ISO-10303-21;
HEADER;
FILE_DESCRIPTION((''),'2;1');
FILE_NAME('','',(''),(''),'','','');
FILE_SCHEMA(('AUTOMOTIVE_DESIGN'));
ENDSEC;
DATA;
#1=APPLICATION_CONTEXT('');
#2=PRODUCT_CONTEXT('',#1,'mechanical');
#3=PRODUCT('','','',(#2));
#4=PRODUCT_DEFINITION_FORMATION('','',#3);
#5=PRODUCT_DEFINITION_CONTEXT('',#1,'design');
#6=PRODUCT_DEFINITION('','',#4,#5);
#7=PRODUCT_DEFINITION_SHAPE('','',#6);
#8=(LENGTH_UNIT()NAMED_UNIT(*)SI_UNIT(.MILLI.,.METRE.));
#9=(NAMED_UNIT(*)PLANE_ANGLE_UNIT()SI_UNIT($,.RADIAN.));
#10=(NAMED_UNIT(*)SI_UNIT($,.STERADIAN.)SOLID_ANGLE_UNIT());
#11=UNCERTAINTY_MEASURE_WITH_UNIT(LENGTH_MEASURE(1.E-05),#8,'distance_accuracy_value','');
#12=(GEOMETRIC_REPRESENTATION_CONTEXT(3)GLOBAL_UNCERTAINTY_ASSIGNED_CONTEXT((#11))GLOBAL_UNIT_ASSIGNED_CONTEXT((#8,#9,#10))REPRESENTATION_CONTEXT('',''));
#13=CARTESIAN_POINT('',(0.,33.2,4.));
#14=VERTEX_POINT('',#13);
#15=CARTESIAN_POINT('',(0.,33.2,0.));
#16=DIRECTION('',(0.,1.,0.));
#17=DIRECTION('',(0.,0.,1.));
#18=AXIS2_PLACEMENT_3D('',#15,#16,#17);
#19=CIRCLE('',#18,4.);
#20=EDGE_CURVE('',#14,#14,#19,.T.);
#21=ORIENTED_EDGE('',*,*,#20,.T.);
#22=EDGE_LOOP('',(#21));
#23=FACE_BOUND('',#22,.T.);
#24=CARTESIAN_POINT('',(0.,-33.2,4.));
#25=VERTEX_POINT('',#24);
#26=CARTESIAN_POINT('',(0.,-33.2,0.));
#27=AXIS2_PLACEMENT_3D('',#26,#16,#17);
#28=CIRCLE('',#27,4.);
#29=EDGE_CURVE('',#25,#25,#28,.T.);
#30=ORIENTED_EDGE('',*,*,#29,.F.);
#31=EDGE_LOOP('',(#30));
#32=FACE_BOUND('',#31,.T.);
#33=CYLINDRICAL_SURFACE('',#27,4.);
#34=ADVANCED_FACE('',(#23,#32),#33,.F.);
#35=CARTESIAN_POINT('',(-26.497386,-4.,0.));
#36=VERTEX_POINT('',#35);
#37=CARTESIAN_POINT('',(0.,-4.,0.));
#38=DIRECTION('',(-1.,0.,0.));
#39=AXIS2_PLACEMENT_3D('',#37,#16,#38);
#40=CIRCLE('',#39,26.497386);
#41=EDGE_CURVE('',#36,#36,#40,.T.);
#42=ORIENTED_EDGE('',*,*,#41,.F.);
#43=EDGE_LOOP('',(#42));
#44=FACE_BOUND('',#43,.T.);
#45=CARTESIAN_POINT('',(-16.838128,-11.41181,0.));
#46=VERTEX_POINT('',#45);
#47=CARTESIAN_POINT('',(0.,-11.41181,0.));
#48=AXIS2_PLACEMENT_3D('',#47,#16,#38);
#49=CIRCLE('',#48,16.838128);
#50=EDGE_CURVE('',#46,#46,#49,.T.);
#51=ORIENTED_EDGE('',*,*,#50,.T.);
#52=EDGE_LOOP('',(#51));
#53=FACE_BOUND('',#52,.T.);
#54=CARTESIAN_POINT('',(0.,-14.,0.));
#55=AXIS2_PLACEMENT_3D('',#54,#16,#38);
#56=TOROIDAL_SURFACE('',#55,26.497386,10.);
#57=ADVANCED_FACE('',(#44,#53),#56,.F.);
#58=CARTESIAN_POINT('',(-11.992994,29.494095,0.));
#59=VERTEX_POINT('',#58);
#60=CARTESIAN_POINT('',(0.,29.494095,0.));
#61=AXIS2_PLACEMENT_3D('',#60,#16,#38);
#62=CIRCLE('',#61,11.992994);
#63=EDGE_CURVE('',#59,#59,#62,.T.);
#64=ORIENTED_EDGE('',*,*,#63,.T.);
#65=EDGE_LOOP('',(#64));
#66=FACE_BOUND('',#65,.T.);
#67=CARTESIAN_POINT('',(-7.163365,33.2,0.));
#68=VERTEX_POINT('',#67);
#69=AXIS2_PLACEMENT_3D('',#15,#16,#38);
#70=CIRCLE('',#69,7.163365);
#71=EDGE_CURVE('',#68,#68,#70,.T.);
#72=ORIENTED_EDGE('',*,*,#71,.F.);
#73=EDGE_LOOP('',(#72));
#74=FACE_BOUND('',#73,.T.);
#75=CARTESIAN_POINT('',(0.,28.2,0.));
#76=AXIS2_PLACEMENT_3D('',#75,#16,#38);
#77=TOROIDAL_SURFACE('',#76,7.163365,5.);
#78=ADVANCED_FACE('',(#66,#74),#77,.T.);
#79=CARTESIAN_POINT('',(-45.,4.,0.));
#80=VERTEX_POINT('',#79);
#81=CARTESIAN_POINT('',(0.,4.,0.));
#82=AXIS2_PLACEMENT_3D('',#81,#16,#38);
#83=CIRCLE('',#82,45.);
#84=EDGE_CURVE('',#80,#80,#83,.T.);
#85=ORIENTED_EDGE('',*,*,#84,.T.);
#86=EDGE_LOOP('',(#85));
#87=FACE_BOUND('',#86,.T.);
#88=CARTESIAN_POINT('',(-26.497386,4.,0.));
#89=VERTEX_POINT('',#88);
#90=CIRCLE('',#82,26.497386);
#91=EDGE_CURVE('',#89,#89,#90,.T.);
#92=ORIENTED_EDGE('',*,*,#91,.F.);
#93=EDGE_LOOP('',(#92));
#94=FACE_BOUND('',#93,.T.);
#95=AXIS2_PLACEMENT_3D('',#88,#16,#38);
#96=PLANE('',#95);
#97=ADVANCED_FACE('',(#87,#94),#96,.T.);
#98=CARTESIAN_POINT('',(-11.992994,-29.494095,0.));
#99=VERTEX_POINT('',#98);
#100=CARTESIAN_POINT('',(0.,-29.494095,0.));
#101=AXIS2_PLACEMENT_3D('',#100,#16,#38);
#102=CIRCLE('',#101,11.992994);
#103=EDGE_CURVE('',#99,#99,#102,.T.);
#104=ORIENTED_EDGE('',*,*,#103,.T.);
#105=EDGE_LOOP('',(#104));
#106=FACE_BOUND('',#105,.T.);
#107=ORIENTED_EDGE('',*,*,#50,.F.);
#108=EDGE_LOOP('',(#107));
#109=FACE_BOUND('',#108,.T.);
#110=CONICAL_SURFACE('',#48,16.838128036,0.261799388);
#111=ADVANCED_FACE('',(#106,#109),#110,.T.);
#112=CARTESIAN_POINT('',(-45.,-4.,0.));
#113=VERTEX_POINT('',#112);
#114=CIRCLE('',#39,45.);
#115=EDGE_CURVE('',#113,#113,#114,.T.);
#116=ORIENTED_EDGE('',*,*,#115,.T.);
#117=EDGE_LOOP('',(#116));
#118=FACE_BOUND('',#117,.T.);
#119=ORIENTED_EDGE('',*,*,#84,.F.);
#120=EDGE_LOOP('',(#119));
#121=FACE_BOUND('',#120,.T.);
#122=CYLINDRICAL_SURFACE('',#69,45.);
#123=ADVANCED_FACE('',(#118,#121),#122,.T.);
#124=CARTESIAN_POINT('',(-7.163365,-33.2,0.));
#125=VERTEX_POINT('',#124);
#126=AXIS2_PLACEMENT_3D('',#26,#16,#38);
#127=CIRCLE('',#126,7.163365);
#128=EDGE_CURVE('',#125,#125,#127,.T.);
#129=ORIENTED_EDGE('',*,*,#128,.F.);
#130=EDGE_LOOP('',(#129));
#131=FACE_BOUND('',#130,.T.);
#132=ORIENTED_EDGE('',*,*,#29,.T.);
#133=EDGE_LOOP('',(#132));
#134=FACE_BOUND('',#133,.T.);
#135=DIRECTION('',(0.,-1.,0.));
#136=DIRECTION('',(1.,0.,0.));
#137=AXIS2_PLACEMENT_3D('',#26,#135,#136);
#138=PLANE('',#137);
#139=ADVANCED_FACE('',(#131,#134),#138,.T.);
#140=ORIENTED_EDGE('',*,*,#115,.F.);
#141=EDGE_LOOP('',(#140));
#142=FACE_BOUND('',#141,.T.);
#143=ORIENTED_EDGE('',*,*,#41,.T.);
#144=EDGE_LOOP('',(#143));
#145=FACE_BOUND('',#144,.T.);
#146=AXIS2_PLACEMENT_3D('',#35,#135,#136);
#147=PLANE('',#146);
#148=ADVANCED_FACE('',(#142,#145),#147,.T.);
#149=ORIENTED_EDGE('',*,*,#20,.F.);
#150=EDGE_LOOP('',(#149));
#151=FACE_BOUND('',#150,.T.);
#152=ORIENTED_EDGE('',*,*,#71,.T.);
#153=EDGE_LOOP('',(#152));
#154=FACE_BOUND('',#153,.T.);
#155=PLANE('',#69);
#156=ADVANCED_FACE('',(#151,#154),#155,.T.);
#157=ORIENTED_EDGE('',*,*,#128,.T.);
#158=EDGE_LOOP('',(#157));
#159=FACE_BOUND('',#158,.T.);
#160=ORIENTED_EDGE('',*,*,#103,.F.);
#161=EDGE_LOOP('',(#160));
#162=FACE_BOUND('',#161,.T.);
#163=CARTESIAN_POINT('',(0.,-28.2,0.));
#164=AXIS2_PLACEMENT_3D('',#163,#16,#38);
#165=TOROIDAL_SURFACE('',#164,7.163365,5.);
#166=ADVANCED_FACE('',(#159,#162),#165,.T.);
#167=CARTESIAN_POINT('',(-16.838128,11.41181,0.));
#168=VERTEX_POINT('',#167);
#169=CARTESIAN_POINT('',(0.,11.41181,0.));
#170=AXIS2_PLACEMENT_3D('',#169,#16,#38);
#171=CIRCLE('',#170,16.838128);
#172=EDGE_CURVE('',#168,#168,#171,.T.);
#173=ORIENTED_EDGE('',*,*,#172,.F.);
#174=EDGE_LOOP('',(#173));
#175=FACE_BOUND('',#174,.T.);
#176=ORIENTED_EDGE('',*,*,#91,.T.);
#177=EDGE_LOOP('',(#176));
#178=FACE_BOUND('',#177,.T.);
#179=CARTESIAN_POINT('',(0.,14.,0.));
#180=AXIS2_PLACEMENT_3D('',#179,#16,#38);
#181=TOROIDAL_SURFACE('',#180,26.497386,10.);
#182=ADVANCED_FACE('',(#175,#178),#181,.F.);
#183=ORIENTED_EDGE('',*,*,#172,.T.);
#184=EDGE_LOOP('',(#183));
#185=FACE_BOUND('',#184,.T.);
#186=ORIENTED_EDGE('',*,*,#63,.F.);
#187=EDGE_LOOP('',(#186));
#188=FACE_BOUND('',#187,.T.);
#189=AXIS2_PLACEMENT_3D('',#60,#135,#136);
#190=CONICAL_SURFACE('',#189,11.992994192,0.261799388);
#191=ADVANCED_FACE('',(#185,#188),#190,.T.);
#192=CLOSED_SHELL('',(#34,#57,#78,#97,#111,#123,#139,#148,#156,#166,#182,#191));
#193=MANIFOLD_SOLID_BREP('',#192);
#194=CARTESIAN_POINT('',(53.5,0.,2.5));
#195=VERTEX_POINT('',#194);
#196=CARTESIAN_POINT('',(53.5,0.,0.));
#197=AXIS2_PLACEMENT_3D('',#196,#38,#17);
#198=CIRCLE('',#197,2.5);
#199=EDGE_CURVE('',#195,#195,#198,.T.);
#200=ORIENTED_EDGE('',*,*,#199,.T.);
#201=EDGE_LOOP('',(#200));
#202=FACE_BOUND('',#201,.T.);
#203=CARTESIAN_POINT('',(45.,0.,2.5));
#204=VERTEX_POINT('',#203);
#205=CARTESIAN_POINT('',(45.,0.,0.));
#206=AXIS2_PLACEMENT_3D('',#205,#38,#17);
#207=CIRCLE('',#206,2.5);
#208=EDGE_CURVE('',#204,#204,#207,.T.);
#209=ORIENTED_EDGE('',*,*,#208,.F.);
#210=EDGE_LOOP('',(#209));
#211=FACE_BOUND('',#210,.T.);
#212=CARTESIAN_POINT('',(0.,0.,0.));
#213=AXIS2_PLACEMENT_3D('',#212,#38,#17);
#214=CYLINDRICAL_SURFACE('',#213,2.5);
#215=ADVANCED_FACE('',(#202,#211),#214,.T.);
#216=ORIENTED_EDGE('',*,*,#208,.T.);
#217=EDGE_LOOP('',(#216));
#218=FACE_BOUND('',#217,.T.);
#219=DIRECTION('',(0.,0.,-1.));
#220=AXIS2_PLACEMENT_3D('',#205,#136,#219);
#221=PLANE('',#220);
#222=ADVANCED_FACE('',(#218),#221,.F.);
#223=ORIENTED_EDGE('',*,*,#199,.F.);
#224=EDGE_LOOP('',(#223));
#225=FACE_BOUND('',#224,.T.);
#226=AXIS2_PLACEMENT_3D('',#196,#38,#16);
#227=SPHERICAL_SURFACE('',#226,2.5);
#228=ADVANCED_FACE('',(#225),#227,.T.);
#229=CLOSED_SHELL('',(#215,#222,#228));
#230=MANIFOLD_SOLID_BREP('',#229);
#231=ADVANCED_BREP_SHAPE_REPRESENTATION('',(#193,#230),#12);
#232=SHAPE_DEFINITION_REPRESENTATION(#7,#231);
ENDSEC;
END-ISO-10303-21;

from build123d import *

# Parameters (mm, degrees)
SKETCH2_R          = 4
CUT_EXTRUDE1_DEPTH = 92.972604617


with BuildPart() as part:
    # Sketch1 → Revolve1 (revolve)
    with BuildSketch(Plane.XY):
        with BuildLine():
            Line((0, 33.2), (-7.16336506, 33.2))
            ThreePointArc((-7.16336506, 33.2), (-10.207172205, 32.166766701), (-11.992994192, 29.494095226))
            Line((-11.992994192, 29.494095226), (-16.838128036, 11.411809549))
            ThreePointArc((-16.838128036, 11.411809549), (-20.409772009, 6.066466597), (-26.497386299, 4))
            Line((-26.497386299, 4), (-45, 4))
            Line((-45, 4), (-45, -4))
            Line((-45, -4), (-26.497386299, -4))
            ThreePointArc((-26.497386299, -4), (-20.409772009, -6.066466597), (-16.838128036, -11.411809549))
            Line((-16.838128036, -11.411809549), (-11.992994192, -29.494095226))
            ThreePointArc((-11.992994192, -29.494095226), (-10.207172205, -32.166766701), (-7.16336506, -33.2))
            Line((-7.16336506, -33.2), (0, -33.2))
            Line((0, -33.2), (0, 33.2))
        make_face()
    revolve(axis=Axis((0, 33.2, 0), (0, -1, 0)))

    # Sketch2 → Cut-Extrude1 (cut, through all)
    with BuildSketch(Plane(origin=(0, 33.2, 0), x_dir=(1, 0, 0), z_dir=(0, 1, 0))):
        with Locations(Location((0, 0, 0), (0, 0, 270))):
            Circle(SKETCH2_R)
    extrude(amount=-CUT_EXTRUDE1_DEPTH, mode=Mode.SUBTRACT)


with BuildPart() as body_2:
    # Sketch3 → Revolve2 (revolve)
    with BuildSketch(Plane.XY):
        with BuildLine():
            Line((53.5, 2.5), (45, 2.5))
            Line((45, 2.5), (45, 0))
            Line((45, 0), (56, 0))
            ThreePointArc((56, 0), (55.267766953, 1.767766953), (53.5, 2.5))
        make_face()
    revolve(axis=Axis((0, 0, 0), (1, 0, 0)))


solid = Compound([part.part, body_2.part])
